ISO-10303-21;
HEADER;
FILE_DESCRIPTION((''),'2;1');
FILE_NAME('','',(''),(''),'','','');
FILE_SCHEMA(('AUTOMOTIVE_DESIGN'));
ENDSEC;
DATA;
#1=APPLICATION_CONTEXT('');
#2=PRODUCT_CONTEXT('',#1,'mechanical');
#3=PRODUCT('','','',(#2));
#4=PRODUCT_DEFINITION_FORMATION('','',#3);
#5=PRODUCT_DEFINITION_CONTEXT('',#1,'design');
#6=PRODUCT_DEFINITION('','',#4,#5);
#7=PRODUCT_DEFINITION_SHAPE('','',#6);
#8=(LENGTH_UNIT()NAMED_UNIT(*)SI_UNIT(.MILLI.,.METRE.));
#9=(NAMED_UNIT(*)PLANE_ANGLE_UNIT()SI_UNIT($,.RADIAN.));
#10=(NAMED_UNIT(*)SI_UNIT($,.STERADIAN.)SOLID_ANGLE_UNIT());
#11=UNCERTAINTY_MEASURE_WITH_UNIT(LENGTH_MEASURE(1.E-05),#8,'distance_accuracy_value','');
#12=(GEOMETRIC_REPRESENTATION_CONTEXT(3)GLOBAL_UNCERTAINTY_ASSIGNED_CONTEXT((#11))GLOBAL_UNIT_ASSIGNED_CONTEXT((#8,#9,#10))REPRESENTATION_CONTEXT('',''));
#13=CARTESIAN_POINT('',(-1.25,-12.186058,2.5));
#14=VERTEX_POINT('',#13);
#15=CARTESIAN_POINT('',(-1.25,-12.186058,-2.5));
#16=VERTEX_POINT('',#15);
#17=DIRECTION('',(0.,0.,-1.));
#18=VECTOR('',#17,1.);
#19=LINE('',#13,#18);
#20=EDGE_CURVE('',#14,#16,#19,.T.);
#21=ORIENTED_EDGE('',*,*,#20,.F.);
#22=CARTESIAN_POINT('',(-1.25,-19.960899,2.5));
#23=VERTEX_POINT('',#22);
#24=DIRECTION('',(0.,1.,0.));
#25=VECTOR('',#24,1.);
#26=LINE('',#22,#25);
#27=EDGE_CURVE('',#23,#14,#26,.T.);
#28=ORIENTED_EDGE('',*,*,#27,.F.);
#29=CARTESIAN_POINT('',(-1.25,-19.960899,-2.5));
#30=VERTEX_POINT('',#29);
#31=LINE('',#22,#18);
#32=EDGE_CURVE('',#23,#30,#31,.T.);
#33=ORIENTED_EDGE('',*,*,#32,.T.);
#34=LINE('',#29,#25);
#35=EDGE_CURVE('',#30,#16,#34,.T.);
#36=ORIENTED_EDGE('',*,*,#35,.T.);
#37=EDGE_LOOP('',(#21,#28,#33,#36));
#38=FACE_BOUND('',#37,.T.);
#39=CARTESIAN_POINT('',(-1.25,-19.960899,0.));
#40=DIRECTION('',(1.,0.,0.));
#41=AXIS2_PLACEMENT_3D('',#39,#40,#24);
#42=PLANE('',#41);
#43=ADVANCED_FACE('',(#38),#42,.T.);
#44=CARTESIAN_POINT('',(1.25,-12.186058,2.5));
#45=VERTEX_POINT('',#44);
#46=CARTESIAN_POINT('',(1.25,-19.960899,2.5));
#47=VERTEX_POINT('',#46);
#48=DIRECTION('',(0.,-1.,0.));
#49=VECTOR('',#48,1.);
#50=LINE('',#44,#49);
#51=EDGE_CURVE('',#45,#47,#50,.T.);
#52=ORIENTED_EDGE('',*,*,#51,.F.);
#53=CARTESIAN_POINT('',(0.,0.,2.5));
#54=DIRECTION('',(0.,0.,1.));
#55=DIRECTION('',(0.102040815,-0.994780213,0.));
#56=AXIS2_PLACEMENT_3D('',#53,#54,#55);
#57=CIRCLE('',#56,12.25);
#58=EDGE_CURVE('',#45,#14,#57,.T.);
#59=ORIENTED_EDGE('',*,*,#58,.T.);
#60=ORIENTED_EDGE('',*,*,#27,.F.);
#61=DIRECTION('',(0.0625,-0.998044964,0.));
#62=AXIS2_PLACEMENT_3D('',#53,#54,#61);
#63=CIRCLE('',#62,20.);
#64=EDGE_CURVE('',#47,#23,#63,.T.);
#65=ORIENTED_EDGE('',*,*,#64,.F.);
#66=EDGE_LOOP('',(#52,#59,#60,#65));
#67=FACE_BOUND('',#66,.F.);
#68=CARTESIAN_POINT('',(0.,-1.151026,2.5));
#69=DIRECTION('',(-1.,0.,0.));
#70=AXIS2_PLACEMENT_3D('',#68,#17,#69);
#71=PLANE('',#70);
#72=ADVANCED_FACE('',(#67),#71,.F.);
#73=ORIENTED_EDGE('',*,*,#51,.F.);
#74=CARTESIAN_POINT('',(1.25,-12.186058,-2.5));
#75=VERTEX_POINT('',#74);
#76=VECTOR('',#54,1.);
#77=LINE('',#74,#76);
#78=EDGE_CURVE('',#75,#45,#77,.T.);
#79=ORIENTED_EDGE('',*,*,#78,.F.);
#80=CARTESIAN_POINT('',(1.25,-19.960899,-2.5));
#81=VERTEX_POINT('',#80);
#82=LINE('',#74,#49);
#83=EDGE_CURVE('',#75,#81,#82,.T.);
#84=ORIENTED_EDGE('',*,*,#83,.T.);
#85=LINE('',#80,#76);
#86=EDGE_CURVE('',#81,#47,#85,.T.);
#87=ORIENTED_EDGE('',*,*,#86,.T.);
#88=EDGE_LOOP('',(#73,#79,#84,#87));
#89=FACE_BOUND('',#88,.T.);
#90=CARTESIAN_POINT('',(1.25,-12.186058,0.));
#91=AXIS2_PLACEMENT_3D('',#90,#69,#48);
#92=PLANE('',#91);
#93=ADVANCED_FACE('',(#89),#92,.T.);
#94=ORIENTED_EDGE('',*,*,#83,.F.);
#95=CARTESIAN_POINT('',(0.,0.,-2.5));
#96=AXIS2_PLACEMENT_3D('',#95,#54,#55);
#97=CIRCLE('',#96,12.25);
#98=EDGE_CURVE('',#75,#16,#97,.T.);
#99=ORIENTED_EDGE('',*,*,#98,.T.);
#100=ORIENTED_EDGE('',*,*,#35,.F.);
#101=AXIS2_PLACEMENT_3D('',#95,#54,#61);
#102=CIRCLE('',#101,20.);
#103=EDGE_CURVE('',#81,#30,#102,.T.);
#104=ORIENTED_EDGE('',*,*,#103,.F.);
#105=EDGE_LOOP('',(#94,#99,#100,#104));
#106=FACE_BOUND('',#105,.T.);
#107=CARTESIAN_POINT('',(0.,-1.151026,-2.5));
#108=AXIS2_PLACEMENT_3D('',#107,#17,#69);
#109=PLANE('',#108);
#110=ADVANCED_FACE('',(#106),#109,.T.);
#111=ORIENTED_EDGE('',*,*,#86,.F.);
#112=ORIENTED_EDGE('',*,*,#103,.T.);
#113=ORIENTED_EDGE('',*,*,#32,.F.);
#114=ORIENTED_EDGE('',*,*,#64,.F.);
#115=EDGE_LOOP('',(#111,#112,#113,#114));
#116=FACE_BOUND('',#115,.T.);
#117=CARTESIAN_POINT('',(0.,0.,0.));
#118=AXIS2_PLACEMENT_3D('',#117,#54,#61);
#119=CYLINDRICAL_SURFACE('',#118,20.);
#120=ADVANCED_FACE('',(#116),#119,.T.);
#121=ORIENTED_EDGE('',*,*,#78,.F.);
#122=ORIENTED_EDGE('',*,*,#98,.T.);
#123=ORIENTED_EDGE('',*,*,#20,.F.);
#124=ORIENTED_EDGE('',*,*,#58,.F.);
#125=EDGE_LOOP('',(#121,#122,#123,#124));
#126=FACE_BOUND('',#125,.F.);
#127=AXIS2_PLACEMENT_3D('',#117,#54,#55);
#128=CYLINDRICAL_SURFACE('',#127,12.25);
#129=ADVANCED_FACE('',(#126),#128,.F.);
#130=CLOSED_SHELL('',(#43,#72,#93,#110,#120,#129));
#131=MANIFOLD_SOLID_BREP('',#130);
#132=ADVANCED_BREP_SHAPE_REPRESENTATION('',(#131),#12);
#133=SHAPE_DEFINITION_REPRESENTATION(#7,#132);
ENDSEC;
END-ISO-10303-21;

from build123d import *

# Parameters (mm, degrees)
PAD_DEPTH = 2.5


with BuildPart() as part:
    # Sketch → Pad (new body, symmetric)
    with BuildSketch(Plane.XY):
        with BuildLine():
            ThreePointArc((1.25, -12.186058), (0, 12.25), (-1.25, -12.186058))
            Line((-1.25, -19.960899), (-1.25, -12.186058))
            ThreePointArc((1.25, -19.960899), (0, 20), (-1.25, -19.960899))
            Line((1.25, -12.186058), (1.25, -19.960899))
        make_face()
    extrude(amount=PAD_DEPTH, both=True)


solid = part.part
